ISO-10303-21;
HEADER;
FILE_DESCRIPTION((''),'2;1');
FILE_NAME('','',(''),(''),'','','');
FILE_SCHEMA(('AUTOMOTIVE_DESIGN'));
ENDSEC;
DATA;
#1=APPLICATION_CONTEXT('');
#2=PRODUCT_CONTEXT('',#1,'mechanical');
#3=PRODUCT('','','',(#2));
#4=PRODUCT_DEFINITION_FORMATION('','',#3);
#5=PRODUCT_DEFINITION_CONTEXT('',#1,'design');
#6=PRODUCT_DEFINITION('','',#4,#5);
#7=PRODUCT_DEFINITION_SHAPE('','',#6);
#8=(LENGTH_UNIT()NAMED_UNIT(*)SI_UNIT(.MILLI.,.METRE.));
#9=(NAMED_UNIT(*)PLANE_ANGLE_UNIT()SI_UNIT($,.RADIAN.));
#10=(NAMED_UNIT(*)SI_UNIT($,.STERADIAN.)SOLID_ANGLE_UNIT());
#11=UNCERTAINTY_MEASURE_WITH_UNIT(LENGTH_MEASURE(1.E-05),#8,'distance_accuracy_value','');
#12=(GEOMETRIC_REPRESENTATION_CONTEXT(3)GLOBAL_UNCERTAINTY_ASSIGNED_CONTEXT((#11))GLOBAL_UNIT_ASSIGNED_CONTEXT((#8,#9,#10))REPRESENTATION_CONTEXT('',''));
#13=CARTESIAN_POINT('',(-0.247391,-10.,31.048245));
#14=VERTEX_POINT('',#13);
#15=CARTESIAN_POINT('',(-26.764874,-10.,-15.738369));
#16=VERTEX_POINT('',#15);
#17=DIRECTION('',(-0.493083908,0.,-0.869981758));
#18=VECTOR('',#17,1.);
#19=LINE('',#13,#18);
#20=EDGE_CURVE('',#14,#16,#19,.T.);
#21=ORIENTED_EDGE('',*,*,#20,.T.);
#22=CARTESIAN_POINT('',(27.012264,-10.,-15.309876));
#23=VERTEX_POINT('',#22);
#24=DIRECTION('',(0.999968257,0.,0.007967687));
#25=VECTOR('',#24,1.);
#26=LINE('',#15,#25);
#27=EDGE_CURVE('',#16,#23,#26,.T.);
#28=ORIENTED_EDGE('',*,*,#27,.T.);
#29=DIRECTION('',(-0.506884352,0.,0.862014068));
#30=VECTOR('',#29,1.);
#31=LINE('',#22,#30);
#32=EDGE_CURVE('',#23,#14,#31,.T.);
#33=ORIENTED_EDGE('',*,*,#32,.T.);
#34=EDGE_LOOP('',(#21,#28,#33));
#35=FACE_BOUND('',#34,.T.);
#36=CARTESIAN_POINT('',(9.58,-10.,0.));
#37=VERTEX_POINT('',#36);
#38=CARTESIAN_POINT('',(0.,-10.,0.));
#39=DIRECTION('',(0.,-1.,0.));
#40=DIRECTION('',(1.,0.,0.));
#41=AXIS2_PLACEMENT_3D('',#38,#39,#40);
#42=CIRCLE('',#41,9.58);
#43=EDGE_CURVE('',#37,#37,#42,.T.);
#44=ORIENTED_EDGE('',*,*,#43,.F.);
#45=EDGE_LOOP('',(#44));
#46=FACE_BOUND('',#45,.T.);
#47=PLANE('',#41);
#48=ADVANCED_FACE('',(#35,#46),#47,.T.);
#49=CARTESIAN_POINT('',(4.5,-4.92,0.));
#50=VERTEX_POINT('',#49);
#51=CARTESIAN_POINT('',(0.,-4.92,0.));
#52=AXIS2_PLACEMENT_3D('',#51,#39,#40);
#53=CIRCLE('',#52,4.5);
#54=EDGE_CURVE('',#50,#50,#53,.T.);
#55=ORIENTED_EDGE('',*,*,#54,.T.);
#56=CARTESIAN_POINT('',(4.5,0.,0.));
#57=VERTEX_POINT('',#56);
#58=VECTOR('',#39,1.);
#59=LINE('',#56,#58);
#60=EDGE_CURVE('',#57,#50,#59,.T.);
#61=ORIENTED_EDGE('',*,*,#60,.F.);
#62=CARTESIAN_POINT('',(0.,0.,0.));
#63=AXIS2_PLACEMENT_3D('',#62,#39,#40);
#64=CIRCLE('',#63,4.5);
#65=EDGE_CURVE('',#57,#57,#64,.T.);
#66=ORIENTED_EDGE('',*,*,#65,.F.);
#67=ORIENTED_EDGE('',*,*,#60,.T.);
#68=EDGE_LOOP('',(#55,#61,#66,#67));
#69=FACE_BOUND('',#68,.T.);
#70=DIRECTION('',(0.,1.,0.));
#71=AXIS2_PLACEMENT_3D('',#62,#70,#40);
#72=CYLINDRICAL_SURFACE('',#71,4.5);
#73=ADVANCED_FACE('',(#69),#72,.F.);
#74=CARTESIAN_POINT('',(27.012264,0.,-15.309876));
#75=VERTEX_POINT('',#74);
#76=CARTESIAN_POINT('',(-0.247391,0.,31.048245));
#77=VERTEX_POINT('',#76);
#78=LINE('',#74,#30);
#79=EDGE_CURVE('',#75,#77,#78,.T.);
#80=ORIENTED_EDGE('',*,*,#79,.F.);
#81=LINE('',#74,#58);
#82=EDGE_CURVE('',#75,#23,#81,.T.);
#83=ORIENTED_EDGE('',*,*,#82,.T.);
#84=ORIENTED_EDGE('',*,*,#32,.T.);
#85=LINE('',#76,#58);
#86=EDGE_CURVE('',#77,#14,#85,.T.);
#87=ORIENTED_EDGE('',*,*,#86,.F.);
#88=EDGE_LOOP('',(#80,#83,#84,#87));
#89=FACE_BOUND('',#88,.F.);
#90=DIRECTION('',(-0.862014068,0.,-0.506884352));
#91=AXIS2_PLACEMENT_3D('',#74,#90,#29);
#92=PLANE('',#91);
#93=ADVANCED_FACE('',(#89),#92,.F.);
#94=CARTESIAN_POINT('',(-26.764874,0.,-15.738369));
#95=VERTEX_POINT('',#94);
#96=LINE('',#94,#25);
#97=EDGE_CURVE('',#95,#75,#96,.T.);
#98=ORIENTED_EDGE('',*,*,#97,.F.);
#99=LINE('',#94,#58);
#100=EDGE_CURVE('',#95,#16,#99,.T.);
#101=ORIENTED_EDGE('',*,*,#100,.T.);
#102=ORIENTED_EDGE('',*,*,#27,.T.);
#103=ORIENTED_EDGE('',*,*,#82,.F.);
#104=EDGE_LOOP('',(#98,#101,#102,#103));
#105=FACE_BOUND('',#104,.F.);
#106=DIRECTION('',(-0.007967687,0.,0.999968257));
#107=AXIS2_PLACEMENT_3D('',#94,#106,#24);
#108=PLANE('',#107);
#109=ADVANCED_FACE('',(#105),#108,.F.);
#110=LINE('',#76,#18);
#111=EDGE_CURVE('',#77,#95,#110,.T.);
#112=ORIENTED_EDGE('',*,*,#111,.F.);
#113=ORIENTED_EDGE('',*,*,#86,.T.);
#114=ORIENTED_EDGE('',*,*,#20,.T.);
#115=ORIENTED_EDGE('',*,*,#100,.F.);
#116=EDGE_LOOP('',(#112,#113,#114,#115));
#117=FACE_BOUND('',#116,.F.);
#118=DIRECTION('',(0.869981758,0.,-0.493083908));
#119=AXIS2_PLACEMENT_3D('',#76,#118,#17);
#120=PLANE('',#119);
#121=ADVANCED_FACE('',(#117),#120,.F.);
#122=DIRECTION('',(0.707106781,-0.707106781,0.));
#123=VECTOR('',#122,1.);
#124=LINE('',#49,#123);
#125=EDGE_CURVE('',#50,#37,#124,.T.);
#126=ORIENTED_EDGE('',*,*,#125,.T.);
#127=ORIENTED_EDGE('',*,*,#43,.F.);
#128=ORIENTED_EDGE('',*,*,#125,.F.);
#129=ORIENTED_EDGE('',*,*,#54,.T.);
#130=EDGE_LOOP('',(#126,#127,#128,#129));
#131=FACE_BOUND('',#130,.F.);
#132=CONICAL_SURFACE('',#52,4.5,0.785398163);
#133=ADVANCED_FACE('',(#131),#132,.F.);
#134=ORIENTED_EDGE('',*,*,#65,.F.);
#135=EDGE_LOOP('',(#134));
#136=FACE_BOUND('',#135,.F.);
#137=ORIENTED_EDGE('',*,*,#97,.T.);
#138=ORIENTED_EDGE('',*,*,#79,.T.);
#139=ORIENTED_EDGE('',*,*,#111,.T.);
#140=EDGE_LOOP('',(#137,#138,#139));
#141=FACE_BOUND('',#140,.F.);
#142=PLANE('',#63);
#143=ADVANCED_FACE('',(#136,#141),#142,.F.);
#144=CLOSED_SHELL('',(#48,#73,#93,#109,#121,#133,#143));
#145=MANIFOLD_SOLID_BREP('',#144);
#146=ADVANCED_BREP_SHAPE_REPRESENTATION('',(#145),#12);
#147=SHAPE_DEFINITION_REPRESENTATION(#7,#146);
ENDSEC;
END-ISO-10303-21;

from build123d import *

# Parameters (mm, degrees)
F0_R     = 4.5
F1_DEPTH = 10
F2_SIZE  = 5.08


with BuildPart() as f1:
    # F0 (on Front) → F1 (new body)
    with BuildSketch(Plane.XZ):
        Polygon((-0.247391, 31.048245), (-26.764874, -15.738369), (27.012264, -15.309876), align=None)
        Circle(F0_R, mode=Mode.SUBTRACT)
    extrude(amount=F1_DEPTH)

    # F2
    f2_edges = [f1.edges().sort_by_distance(p)[0] for p in [
        (-4.5, -10, 0),
    ]]
    chamfer(f2_edges, length=F2_SIZE)


solid = f1.part
